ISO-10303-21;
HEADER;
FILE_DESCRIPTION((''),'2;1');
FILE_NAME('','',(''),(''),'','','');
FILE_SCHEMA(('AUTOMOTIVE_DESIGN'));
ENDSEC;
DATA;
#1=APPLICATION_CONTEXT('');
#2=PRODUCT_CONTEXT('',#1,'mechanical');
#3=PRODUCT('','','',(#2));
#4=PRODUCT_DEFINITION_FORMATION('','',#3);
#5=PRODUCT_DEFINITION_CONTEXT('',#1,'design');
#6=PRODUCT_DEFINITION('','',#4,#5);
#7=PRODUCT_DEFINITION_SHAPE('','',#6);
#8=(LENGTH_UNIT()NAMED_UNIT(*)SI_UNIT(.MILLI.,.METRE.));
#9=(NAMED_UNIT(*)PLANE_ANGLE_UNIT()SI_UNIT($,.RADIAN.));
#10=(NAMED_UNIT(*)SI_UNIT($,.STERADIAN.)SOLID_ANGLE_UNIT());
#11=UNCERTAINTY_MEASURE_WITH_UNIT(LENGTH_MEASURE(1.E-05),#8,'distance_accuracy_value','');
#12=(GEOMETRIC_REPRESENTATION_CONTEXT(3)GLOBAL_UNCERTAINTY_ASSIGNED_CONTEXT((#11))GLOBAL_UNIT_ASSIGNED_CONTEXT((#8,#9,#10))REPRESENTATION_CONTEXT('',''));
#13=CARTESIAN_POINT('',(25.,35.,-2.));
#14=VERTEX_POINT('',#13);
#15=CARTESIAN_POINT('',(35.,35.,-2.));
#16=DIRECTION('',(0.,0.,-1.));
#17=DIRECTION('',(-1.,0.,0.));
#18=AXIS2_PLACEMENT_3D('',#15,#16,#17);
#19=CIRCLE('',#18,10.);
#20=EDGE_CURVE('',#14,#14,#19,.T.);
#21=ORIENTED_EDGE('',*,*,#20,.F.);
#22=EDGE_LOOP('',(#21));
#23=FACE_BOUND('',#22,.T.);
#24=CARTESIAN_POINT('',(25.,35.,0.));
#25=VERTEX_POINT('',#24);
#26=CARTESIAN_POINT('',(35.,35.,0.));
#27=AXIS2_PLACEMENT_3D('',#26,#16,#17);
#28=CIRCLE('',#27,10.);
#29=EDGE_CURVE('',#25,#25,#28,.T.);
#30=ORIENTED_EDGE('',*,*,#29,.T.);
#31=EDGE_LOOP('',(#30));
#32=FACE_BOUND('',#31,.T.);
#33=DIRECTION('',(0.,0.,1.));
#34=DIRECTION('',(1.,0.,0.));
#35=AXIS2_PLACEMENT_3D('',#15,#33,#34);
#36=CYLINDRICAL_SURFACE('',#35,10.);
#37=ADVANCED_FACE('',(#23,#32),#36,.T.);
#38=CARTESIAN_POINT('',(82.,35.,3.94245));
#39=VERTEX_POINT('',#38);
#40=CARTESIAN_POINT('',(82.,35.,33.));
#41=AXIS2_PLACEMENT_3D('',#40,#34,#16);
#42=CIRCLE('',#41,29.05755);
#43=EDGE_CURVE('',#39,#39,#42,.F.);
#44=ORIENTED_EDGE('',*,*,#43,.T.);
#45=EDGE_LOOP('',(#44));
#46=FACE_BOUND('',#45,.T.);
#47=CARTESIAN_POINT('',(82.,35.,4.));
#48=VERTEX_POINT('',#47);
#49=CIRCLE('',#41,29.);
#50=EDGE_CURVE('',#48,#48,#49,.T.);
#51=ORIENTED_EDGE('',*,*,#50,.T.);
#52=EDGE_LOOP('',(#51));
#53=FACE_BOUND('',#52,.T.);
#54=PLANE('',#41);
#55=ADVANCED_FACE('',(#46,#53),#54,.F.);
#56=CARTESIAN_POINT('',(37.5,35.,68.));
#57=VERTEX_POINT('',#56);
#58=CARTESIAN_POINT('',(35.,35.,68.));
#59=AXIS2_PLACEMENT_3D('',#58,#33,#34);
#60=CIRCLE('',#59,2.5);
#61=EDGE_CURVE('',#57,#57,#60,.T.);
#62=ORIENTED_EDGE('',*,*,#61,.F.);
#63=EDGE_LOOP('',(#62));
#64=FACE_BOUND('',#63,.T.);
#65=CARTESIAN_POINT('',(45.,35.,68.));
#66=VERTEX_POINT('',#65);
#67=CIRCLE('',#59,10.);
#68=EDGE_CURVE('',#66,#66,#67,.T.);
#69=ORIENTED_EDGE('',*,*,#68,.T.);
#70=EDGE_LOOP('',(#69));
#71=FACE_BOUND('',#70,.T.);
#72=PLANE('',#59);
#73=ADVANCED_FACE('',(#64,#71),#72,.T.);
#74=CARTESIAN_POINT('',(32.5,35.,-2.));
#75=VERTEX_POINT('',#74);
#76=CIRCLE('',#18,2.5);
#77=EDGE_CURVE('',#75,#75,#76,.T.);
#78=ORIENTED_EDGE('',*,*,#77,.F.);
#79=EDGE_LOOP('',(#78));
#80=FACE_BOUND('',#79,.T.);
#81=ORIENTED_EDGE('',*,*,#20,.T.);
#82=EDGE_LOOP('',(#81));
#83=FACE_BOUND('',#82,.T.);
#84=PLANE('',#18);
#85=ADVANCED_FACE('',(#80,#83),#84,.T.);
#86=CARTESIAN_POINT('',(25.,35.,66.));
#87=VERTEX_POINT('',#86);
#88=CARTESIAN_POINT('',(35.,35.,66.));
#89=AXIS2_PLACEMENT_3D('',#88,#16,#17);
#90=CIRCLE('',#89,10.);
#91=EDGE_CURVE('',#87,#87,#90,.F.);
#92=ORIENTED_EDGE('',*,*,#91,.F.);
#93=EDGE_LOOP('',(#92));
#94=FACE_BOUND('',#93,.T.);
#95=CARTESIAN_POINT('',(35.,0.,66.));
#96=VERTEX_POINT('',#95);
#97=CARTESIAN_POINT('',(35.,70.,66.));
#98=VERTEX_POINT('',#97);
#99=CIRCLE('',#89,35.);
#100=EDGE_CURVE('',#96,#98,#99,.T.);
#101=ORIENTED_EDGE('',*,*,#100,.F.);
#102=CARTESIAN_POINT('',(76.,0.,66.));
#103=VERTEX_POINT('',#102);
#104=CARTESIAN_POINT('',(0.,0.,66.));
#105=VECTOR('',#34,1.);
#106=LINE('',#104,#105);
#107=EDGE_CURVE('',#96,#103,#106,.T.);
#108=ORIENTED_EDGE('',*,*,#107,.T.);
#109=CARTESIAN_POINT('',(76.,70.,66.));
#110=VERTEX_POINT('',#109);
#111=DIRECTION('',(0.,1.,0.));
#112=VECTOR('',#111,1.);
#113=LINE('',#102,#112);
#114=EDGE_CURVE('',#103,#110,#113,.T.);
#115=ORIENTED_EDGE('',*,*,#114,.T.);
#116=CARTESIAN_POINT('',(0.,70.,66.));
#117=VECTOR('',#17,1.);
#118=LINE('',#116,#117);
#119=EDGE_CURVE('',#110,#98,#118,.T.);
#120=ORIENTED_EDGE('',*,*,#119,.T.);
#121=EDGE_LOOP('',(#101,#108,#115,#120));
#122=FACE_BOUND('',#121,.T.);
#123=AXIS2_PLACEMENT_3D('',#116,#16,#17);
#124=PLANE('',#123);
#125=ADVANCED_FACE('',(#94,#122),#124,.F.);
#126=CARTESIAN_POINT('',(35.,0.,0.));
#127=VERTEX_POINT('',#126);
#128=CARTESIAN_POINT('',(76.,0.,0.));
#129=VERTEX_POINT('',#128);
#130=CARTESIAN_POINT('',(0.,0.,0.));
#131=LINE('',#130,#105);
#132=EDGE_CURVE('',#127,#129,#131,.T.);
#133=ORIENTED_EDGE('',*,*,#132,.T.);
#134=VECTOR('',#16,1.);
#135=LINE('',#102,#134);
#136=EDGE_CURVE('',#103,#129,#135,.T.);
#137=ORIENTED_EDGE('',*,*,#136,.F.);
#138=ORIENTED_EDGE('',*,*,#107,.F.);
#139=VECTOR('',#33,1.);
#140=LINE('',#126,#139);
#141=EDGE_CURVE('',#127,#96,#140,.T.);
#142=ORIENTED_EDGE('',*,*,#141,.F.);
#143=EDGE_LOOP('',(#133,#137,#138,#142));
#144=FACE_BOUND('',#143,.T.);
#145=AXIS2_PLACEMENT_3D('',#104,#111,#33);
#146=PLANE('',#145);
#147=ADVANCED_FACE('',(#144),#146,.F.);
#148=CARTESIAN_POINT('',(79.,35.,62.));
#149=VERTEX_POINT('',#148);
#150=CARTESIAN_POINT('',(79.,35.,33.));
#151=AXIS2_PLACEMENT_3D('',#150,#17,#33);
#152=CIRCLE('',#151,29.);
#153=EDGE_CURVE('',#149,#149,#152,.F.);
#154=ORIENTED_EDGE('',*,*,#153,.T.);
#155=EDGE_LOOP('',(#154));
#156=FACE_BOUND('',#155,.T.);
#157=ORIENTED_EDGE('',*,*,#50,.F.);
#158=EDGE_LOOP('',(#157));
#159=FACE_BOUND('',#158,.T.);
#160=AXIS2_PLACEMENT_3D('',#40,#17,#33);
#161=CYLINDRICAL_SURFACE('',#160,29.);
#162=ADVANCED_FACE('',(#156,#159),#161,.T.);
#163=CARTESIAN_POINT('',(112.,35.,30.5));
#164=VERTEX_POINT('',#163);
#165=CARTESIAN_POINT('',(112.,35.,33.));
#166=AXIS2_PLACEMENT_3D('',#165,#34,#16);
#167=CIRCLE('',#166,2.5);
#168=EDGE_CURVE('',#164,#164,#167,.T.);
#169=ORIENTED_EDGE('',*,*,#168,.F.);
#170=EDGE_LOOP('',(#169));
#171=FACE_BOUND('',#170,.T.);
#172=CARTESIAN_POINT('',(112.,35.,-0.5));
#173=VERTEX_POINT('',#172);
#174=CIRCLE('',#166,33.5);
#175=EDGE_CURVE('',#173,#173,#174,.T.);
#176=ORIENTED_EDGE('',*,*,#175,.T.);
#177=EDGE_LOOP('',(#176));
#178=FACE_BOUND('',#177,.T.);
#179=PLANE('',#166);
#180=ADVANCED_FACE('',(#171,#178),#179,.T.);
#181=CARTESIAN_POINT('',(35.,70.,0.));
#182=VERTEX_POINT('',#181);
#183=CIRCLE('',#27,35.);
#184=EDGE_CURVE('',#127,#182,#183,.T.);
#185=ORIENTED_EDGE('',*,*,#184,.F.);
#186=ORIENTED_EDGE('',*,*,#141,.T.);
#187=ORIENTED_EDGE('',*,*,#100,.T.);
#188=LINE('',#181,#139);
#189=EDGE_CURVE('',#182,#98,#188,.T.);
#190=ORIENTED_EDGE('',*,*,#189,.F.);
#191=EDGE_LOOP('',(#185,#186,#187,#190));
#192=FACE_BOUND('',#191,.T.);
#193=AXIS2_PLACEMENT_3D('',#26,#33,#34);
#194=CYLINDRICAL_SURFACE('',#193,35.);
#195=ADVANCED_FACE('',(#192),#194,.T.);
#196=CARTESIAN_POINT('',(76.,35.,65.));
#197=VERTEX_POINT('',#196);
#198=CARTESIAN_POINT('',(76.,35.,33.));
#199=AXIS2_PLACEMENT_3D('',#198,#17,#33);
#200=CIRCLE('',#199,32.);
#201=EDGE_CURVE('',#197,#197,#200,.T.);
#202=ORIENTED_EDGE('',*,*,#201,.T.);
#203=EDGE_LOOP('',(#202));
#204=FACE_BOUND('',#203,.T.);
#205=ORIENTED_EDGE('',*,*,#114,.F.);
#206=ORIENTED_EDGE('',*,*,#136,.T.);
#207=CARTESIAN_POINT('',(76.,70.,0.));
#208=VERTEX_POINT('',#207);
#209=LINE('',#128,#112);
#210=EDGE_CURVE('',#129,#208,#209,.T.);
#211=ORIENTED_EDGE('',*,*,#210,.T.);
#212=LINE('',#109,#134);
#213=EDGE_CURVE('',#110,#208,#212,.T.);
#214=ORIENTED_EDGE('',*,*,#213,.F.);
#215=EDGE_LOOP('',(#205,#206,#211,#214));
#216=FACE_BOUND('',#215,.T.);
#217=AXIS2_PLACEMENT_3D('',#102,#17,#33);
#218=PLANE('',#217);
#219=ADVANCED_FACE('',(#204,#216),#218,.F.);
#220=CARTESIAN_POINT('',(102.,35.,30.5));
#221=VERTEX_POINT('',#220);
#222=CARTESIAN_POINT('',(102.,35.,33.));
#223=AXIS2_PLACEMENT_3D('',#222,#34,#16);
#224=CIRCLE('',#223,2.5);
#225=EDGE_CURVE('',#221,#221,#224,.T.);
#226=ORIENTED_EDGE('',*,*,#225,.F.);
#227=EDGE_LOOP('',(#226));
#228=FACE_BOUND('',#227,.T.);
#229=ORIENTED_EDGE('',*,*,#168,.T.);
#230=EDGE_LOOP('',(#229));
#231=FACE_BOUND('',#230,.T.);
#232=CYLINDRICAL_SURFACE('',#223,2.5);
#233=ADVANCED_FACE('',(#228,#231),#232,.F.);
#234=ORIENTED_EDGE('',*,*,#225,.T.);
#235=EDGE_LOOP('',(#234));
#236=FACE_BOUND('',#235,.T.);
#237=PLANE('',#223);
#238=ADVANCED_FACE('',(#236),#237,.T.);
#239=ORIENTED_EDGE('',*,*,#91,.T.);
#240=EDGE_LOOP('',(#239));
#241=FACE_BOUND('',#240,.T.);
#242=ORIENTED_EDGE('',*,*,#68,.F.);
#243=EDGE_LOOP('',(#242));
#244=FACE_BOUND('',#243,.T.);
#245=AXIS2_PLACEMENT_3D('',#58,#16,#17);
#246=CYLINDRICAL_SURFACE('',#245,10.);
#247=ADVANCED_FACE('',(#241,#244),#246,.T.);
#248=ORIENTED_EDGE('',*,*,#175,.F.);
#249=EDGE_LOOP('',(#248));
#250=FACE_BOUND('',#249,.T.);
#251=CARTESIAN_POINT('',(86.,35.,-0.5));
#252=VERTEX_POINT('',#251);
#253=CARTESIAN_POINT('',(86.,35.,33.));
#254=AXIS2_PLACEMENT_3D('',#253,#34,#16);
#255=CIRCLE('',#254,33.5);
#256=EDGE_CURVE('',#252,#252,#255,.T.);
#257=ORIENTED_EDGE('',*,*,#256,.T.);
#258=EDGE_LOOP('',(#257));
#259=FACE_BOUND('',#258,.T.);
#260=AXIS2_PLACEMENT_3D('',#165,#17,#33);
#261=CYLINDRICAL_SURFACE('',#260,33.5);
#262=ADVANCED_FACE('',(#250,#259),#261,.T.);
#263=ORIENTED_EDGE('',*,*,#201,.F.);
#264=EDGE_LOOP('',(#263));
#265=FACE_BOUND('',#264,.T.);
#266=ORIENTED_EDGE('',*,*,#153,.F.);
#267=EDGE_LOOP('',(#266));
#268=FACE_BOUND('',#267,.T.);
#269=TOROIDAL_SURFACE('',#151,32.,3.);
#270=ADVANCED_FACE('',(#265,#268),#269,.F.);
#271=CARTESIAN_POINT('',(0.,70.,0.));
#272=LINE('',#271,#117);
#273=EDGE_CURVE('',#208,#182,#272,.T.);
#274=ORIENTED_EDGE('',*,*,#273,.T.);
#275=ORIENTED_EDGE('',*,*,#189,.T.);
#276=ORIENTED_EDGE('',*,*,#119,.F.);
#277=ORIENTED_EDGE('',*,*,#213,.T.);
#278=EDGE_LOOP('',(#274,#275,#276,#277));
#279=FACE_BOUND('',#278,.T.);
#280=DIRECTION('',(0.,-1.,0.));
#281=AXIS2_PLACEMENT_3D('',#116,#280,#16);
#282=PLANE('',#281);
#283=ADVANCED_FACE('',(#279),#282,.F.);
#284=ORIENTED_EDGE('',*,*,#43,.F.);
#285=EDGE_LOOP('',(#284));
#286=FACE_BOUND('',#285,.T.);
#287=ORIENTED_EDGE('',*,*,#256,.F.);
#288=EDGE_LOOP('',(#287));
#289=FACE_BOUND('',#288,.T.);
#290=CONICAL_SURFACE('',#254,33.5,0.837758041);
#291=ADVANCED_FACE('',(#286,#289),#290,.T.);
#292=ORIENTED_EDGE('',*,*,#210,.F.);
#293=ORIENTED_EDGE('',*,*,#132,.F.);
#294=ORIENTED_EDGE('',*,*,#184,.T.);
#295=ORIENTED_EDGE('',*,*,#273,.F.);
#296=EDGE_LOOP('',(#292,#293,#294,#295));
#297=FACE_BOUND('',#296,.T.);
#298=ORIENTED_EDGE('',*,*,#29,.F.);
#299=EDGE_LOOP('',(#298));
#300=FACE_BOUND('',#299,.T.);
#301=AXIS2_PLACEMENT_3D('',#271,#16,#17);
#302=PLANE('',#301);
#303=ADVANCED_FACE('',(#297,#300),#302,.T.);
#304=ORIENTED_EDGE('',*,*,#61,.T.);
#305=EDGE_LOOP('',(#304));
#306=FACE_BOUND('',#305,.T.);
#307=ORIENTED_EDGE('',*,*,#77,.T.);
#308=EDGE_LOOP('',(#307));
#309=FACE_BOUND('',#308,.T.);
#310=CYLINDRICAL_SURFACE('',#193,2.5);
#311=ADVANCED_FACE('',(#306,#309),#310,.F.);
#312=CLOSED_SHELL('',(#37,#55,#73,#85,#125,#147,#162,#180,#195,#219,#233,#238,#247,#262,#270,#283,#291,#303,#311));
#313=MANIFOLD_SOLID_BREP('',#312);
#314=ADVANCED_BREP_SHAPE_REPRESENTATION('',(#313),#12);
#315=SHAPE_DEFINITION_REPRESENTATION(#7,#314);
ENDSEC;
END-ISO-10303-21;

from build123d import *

# Parameters (mm, degrees)
SKETCH_1_W          = 76
SKETCH_1_H          = 70
EXTRUDE_1_DEPTH     = 66
CUT_EXTRUDE_1_DEPTH = 123.605056992
SKETCH_3_R          = 2.5
CUT_EXTRUDE_2_DEPTH = 123.605056992
SKETCH_4_R          = 29
EXTRUDE_2_DEPTH     = 6
FILLET_1_R          = 3
SKETCH_5_R          = 33.5
EXTRUDE_3_DEPTH     = 30
CHAMFER_2_SIZE      = 4
CHAMFER_2_SIZE2     = 4.442450059
SKETCH_6_R          = 2.5
CUT_EXTRUDE_3_DEPTH = 10
EXTRUDE_START       = 2
SKETCH_7_R          = 10
SKETCH_7_R_2        = 2.5
EXTRUDE_4_DEPTH     = 2
SKETCH_8_R          = 10
SKETCH_8_R_2        = 2.5
EXTRUDE_5_DEPTH     = 2


with BuildPart() as part:
    # ｽｹｯﾁ1 → 押し出し1 (new body)
    with BuildSketch(Plane.XY):
        with Locations((38, 35)):
            Rectangle(SKETCH_1_W, SKETCH_1_H)
    extrude(amount=EXTRUDE_1_DEPTH)

    # ｽｹｯﾁ2 → ｶｯﾄ - 押し出し1 (cut, through all)
    with BuildSketch(Plane.XY.offset(66)):
        with BuildLine():
            ThreePointArc((0, 35), (10.251262658, 59.748737342), (35, 70))
            Line((35, 70), (0, 70))
            Line((0, 70), (0, 35))
        make_face()
        with BuildLine():
            Line((0, 0), (35, 0))
            ThreePointArc((35, 0), (10.251262658, 10.251262658), (0, 35))
            Line((0, 35), (0, 0))
        make_face()
    extrude(amount=-CUT_EXTRUDE_1_DEPTH, mode=Mode.SUBTRACT)

    # ｽｹｯﾁ3 → ｶｯﾄ - 押し出し2 (cut, through all)
    with BuildSketch(Plane.XY.offset(66)):
        with Locations((35, 35)):
            Circle(SKETCH_3_R)
    extrude(amount=-CUT_EXTRUDE_2_DEPTH, mode=Mode.SUBTRACT)

    # ｽｹｯﾁ4 → 押し出し2 (add)
    with BuildSketch(Plane(origin=(76, 0, 0), x_dir=(0, 0, -1), z_dir=(1, 0, 0))):
        with Locations(Location((-33, 35, 0), (0, 0, 180))):
            Circle(SKETCH_4_R)
    extrude(amount=EXTRUDE_2_DEPTH)

    # ﾌｨﾚｯﾄ1
    fillet_1_edges = [part.edges().sort_by_distance(p)[0] for p in [
        (76, 35, 4),
    ]]
    fillet(fillet_1_edges, radius=FILLET_1_R)

    # ｽｹｯﾁ5 → 押し出し3 (add)
    with BuildSketch(Plane(origin=(82, 0, 0), x_dir=(0, 0, -1), z_dir=(1, 0, 0))):
        with Locations((-33, 35)):
            Circle(SKETCH_5_R)
    extrude(amount=EXTRUDE_3_DEPTH)

    # 面取り2
    chamfer_2_edges = [part.edges().sort_by_distance(p)[0] for p in [
        (82, 35, 66.5),
    ]]
    chamfer_2_side = [part.faces().sort_by_distance(p)[0] for p in [
        (97, 35, 66.5),
    ]]
    chamfer(chamfer_2_edges, length=CHAMFER_2_SIZE, length2=CHAMFER_2_SIZE2, reference=chamfer_2_side[0])

    # ｽｹｯﾁ6 → ｶｯﾄ - 押し出し3 (cut)
    with BuildSketch(Plane(origin=(112, 0, 0), x_dir=(0, 0, -1), z_dir=(1, 0, 0))):
        with Locations((-33, 35)):
            Circle(SKETCH_6_R)
    extrude(amount=-CUT_EXTRUDE_3_DEPTH, mode=Mode.SUBTRACT)

    # ｽｹｯﾁ7 → 押し出し4 (add)
    with BuildSketch(Plane.XY.offset(66).offset(EXTRUDE_START)):
        with Locations(Location((35, 35, 0), (0, 0, 180))):
            Circle(SKETCH_7_R)
        with Locations((35, 35)):
            Circle(SKETCH_7_R_2, mode=Mode.SUBTRACT)
    extrude(amount=-EXTRUDE_4_DEPTH)

    # ｽｹｯﾁ8 → 押し出し5 (add)
    with BuildSketch(Plane(origin=(0, 0, 0), x_dir=(-1, 0, 0), z_dir=(0, 0, -1))):
        with Locations((-35, 35)):
            Circle(SKETCH_8_R)
        with Locations(Location((-35, 35, 0), (0, 0, 180))):
            Circle(SKETCH_8_R_2, mode=Mode.SUBTRACT)
    extrude(amount=EXTRUDE_5_DEPTH)


solid = part.part
